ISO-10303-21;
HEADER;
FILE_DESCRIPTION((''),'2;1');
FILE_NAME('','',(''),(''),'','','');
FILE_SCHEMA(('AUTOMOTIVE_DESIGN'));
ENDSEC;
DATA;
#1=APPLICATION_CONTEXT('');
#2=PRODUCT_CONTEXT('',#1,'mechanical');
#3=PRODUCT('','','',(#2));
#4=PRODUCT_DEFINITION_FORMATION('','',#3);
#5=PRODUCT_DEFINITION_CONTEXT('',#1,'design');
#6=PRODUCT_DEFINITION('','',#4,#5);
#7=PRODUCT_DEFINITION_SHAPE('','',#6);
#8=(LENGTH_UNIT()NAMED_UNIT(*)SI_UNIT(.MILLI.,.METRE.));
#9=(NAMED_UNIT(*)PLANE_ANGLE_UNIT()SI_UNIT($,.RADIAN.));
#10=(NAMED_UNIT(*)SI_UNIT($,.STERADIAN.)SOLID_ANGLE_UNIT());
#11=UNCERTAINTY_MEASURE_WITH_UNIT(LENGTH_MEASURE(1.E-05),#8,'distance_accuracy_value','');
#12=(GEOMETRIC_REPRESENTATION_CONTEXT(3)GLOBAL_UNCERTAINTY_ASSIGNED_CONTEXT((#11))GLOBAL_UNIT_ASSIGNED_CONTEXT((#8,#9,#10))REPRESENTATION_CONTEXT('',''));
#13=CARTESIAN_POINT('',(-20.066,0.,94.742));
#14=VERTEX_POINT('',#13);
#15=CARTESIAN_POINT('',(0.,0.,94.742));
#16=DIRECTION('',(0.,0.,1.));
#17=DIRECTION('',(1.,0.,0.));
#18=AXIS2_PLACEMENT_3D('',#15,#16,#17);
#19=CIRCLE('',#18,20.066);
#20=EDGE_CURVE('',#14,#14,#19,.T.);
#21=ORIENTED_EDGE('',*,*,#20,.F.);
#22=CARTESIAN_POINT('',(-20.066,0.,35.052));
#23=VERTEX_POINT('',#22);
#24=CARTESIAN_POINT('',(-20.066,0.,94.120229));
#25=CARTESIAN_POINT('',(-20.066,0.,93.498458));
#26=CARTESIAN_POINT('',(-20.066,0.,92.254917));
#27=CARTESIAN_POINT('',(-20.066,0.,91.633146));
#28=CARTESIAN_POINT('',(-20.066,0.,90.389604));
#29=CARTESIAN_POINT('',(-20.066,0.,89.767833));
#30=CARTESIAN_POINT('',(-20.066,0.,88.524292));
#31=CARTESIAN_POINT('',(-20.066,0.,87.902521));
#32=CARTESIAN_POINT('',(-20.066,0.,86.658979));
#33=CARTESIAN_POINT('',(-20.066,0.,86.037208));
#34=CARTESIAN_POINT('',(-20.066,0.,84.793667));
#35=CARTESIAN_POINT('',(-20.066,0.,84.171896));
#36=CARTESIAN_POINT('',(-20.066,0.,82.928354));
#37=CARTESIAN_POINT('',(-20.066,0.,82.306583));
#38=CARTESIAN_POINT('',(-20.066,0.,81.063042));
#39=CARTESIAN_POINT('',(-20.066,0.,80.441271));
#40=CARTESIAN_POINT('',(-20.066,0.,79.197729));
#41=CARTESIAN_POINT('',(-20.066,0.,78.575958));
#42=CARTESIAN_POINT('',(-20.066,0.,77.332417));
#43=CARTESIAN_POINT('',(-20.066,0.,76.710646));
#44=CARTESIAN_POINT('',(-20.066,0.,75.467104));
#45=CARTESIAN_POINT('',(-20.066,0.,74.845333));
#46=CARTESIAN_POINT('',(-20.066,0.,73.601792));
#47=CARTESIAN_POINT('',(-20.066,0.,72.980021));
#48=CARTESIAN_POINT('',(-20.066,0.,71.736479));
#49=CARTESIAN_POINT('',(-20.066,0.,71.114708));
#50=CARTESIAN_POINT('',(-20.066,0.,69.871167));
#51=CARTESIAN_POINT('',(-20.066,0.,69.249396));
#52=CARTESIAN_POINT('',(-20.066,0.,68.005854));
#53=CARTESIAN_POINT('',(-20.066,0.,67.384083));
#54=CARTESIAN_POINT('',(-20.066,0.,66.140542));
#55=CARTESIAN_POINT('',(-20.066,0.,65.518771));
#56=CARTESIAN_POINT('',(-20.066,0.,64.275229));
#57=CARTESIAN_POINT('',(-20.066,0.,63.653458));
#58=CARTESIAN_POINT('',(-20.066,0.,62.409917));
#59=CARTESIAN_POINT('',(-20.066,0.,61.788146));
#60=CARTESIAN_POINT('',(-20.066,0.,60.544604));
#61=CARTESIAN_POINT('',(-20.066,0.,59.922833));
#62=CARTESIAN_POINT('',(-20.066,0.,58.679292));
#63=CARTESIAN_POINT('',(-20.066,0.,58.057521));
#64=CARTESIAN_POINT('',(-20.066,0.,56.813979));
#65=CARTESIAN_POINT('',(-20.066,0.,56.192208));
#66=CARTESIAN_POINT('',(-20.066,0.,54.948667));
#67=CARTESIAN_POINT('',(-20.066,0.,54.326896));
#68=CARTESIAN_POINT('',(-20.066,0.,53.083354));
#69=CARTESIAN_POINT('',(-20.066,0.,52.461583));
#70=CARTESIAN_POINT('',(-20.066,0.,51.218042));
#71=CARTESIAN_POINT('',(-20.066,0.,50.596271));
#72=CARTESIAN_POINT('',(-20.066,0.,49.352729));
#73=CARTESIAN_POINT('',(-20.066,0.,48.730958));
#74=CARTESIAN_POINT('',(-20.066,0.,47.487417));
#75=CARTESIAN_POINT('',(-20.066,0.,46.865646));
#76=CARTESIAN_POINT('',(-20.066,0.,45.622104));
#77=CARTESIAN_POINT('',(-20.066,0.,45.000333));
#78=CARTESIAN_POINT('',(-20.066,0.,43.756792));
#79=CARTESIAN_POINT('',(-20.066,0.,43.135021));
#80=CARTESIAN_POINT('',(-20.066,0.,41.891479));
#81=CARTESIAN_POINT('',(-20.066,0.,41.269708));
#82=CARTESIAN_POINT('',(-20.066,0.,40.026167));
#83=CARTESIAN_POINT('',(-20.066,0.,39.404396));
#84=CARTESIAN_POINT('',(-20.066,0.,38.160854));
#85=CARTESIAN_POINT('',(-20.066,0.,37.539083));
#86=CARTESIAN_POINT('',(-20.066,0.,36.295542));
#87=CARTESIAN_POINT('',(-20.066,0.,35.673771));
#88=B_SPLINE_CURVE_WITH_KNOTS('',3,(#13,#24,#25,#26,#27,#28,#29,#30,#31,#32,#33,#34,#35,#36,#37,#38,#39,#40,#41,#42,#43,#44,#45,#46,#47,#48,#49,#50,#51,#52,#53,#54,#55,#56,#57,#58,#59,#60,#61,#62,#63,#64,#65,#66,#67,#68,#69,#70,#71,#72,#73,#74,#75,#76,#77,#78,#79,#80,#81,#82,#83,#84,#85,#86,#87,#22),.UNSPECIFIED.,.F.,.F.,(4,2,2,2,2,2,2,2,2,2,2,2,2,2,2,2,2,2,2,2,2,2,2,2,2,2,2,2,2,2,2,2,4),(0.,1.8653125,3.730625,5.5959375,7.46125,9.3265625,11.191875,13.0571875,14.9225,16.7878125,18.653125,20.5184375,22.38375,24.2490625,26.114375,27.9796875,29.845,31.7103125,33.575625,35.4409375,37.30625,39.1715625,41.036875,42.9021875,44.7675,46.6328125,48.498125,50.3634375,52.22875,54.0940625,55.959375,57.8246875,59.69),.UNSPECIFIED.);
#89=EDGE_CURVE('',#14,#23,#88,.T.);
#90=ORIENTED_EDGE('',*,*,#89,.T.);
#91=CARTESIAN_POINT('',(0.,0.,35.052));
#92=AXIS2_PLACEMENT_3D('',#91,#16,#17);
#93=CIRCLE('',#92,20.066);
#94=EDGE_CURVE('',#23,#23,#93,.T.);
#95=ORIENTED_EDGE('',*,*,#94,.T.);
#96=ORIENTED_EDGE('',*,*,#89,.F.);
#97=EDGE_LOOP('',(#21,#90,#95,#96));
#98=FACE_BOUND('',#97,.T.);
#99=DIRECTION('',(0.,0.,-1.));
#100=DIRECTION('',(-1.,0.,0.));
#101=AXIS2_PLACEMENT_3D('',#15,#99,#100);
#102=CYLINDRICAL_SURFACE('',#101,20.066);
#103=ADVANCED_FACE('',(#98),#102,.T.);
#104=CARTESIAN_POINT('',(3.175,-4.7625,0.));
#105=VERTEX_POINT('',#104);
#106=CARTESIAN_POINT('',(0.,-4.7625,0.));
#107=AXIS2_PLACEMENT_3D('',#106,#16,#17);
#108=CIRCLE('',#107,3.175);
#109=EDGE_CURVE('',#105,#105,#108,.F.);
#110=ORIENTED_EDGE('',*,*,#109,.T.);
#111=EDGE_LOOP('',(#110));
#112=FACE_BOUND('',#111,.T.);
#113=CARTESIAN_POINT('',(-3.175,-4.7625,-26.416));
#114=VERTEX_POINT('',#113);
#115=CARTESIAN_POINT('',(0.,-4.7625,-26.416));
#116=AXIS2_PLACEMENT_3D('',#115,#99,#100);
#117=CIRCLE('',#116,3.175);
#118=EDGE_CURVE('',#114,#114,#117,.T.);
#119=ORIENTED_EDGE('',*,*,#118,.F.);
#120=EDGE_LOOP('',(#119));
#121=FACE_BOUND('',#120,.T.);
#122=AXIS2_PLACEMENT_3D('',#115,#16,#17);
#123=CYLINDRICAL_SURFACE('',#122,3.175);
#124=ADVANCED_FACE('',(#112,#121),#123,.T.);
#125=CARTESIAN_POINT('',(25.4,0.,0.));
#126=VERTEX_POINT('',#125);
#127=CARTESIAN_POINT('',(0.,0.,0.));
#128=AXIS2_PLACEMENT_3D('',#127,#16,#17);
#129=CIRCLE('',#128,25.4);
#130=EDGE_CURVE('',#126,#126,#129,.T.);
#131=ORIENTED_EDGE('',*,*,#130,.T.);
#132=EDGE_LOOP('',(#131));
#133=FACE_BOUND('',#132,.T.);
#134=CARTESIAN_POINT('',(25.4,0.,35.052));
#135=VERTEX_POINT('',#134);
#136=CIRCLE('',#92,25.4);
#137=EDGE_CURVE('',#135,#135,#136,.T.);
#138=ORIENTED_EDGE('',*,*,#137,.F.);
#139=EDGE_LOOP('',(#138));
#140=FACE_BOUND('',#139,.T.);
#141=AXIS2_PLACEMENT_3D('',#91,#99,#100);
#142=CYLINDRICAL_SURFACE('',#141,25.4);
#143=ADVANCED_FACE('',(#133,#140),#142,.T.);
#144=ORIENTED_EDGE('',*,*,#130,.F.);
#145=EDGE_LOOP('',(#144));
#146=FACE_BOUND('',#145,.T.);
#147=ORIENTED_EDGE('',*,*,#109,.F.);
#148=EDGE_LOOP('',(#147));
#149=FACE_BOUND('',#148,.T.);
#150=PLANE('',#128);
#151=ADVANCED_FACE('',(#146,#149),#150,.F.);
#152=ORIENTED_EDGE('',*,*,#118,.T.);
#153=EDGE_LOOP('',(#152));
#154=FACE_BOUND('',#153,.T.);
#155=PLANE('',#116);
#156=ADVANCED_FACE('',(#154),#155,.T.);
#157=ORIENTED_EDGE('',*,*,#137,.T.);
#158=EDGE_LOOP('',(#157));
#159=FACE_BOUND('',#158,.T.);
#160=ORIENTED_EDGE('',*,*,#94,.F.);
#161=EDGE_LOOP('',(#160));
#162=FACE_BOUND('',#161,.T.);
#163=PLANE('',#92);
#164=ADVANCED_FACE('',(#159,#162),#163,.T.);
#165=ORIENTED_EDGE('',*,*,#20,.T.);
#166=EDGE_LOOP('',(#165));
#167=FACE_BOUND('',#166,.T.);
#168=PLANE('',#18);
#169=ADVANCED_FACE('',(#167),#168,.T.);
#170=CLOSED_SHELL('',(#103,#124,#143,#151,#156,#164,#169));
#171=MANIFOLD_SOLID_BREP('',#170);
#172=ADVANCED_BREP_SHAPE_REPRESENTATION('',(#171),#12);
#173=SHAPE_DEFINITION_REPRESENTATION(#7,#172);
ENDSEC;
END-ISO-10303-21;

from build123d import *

# Parameters (mm, degrees)
SKETCH1_R           = 25.4
BOSS_EXTRUDE1_DEPTH = 35.052
SKETCH2_R           = 20.066
BOSS_EXTRUDE2_DEPTH = 59.69
SKETCH3_R           = 3.175
BOSS_EXTRUDE3_DEPTH = 26.416


with BuildPart() as part:
    # Sketch1 → Boss-Extrude1 (new body)
    with BuildSketch(Plane.XY):
        Circle(SKETCH1_R)
    extrude(amount=BOSS_EXTRUDE1_DEPTH)

    # Sketch2 → Boss-Extrude2 (add)
    with BuildSketch(Plane.XY.offset(35.052)):
        with Locations(Location((0, 0, 0), (0, 0, 180))):
            Circle(SKETCH2_R)
    extrude(amount=BOSS_EXTRUDE2_DEPTH)

    # Sketch3 → Boss-Extrude3 (add)
    with BuildSketch(Plane(origin=(0, 0, 0), x_dir=(-1, 0, 0), z_dir=(0, 0, -1))):
        with Locations(Location((0, -4.7625, 0), (0, 0, 180))):
            Circle(SKETCH3_R)
    extrude(amount=BOSS_EXTRUDE3_DEPTH)


solid = part.part
